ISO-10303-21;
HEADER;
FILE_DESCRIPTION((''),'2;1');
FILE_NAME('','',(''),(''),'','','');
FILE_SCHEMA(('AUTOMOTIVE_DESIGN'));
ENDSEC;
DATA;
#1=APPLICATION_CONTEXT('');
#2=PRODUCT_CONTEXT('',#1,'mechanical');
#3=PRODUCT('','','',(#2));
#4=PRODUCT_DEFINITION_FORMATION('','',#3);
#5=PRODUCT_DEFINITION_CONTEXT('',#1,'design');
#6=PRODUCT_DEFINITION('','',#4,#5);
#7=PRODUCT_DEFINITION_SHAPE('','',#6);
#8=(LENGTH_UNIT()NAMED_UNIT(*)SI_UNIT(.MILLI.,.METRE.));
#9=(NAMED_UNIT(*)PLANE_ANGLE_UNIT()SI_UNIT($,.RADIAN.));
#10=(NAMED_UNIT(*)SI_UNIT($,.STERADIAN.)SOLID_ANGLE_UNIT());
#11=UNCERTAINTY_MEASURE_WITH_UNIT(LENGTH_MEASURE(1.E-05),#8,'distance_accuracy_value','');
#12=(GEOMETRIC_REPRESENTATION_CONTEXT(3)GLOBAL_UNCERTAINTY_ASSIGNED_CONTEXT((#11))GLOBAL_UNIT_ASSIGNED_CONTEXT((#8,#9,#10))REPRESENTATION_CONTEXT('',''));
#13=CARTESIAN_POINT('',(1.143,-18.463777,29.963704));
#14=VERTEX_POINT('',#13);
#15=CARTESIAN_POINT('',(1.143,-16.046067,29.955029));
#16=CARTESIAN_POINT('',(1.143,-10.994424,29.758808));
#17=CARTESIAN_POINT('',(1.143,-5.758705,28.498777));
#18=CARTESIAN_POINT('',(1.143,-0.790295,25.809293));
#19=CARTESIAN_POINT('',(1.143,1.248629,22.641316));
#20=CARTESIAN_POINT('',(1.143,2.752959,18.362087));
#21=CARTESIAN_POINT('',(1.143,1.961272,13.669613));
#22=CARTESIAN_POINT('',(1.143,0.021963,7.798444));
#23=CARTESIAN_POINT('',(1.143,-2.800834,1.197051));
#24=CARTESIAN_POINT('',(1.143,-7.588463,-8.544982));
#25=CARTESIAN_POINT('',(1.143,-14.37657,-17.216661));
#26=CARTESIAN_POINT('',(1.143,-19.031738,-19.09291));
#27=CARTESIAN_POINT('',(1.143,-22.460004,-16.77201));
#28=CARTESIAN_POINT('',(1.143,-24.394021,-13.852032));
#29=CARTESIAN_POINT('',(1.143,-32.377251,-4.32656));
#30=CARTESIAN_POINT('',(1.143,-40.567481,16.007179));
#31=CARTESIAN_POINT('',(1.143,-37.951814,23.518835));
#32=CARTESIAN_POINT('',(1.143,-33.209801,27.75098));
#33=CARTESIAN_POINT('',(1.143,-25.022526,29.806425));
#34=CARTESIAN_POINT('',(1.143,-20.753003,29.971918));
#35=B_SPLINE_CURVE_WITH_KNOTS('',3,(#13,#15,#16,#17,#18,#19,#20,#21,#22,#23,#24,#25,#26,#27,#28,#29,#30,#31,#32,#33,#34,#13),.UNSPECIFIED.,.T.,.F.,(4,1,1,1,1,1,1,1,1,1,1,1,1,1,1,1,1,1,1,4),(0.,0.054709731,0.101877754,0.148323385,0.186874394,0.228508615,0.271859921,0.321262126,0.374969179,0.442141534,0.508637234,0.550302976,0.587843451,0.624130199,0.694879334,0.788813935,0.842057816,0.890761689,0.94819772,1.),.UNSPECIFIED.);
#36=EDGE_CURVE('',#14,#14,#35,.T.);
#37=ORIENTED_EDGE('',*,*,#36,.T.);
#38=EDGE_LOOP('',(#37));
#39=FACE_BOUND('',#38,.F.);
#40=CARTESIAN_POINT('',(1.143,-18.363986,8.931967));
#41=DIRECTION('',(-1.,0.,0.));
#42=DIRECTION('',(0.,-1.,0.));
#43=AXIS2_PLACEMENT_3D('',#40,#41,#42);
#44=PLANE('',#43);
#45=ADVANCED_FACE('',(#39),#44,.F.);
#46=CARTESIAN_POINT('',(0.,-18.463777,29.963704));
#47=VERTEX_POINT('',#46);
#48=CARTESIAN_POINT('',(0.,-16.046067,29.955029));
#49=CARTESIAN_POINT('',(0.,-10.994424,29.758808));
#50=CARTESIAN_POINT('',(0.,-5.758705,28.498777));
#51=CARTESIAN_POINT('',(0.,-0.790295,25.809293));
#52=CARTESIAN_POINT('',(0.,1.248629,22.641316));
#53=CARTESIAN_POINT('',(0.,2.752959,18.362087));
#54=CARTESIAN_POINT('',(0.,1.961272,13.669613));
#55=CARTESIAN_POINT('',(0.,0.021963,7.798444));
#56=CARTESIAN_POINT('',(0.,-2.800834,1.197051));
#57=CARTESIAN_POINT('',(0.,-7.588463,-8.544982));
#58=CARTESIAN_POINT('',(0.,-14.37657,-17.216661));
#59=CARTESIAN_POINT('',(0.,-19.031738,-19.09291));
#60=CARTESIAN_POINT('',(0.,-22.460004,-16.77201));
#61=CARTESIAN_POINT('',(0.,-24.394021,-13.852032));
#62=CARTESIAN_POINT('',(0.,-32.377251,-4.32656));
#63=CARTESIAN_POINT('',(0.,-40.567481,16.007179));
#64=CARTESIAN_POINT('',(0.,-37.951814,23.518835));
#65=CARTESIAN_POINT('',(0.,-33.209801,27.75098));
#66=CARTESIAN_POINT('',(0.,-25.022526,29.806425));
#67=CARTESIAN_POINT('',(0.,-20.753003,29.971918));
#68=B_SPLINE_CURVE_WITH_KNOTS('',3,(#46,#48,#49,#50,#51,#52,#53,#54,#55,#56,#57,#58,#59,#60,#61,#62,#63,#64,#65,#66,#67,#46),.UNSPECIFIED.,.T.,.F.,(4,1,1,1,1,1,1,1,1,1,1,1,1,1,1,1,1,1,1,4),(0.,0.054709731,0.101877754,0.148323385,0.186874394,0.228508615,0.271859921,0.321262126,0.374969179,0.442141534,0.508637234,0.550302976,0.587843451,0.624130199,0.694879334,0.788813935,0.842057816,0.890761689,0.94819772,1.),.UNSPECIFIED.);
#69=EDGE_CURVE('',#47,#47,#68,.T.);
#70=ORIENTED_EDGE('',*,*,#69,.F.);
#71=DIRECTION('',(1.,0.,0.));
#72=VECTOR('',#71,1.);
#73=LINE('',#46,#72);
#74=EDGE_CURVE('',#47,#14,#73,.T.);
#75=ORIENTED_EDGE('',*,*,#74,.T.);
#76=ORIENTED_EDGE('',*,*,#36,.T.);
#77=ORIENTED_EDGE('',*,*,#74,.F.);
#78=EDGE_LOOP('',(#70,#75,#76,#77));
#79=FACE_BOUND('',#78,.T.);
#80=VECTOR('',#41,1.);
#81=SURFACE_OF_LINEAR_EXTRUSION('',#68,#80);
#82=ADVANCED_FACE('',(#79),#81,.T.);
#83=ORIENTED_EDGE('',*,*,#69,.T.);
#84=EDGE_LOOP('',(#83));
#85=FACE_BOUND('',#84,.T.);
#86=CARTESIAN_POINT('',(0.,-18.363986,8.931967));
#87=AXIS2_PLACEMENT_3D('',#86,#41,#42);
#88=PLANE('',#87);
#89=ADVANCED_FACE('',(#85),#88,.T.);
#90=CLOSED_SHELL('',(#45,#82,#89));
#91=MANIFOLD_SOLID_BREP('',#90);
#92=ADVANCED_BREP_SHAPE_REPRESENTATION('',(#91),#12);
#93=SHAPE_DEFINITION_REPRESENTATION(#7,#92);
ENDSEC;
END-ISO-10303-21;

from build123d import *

# Parameters (mm, degrees)
F1_DEPTH = 1.143


with BuildPart() as f1:
    # F0 (on Right) → F1 (new body)
    with BuildSketch(Plane.YZ):
        with BuildLine():
            add(Edge.make_bspline(
                [(-18.4637773782, 29.9637038261), (-16.0460673266, 29.9550285942), (-10.9944243429, 29.7588081156), (-5.7587045804, 28.4987768743), (-0.790295018, 25.8092933118), (1.2486290735, 22.6413155477), (2.7529590472, 18.3620867806), (1.9612719383, 13.6696132128), (0.0219625973, 7.7984443035), (-2.8008340917, 1.1970512252), (-7.5884630895, -8.5449824288), (-14.3765695898, -17.216661287), (-19.0317383466, -19.0929103577), (-22.4600040044, -16.7720096773), (-24.3940206135, -13.8520315284), (-32.3772512275, -4.3265599338), (-40.5674812699, 16.0071789938), (-37.9518142226, 23.5188350295), (-33.2098008225, 27.7509800392), (-25.0225255935, 29.8064249604), (-20.7530025562, 29.9719180283), (-18.4637773782, 29.9637038261)],
                knots=[0, 0, 0, 0, 0.0547097308, 0.1018777539, 0.1483233851, 0.1868743942, 0.2285086147, 0.2718599205, 0.3212621259, 0.3749691791, 0.4421415343, 0.5086372345, 0.5503029758, 0.5878434509, 0.6241301988, 0.6948793339, 0.7888139349, 0.8420578163, 0.8907616888, 0.94819772, 1, 1, 1, 1], degree=3))
        make_face()
    extrude(amount=F1_DEPTH)


solid = f1.part
